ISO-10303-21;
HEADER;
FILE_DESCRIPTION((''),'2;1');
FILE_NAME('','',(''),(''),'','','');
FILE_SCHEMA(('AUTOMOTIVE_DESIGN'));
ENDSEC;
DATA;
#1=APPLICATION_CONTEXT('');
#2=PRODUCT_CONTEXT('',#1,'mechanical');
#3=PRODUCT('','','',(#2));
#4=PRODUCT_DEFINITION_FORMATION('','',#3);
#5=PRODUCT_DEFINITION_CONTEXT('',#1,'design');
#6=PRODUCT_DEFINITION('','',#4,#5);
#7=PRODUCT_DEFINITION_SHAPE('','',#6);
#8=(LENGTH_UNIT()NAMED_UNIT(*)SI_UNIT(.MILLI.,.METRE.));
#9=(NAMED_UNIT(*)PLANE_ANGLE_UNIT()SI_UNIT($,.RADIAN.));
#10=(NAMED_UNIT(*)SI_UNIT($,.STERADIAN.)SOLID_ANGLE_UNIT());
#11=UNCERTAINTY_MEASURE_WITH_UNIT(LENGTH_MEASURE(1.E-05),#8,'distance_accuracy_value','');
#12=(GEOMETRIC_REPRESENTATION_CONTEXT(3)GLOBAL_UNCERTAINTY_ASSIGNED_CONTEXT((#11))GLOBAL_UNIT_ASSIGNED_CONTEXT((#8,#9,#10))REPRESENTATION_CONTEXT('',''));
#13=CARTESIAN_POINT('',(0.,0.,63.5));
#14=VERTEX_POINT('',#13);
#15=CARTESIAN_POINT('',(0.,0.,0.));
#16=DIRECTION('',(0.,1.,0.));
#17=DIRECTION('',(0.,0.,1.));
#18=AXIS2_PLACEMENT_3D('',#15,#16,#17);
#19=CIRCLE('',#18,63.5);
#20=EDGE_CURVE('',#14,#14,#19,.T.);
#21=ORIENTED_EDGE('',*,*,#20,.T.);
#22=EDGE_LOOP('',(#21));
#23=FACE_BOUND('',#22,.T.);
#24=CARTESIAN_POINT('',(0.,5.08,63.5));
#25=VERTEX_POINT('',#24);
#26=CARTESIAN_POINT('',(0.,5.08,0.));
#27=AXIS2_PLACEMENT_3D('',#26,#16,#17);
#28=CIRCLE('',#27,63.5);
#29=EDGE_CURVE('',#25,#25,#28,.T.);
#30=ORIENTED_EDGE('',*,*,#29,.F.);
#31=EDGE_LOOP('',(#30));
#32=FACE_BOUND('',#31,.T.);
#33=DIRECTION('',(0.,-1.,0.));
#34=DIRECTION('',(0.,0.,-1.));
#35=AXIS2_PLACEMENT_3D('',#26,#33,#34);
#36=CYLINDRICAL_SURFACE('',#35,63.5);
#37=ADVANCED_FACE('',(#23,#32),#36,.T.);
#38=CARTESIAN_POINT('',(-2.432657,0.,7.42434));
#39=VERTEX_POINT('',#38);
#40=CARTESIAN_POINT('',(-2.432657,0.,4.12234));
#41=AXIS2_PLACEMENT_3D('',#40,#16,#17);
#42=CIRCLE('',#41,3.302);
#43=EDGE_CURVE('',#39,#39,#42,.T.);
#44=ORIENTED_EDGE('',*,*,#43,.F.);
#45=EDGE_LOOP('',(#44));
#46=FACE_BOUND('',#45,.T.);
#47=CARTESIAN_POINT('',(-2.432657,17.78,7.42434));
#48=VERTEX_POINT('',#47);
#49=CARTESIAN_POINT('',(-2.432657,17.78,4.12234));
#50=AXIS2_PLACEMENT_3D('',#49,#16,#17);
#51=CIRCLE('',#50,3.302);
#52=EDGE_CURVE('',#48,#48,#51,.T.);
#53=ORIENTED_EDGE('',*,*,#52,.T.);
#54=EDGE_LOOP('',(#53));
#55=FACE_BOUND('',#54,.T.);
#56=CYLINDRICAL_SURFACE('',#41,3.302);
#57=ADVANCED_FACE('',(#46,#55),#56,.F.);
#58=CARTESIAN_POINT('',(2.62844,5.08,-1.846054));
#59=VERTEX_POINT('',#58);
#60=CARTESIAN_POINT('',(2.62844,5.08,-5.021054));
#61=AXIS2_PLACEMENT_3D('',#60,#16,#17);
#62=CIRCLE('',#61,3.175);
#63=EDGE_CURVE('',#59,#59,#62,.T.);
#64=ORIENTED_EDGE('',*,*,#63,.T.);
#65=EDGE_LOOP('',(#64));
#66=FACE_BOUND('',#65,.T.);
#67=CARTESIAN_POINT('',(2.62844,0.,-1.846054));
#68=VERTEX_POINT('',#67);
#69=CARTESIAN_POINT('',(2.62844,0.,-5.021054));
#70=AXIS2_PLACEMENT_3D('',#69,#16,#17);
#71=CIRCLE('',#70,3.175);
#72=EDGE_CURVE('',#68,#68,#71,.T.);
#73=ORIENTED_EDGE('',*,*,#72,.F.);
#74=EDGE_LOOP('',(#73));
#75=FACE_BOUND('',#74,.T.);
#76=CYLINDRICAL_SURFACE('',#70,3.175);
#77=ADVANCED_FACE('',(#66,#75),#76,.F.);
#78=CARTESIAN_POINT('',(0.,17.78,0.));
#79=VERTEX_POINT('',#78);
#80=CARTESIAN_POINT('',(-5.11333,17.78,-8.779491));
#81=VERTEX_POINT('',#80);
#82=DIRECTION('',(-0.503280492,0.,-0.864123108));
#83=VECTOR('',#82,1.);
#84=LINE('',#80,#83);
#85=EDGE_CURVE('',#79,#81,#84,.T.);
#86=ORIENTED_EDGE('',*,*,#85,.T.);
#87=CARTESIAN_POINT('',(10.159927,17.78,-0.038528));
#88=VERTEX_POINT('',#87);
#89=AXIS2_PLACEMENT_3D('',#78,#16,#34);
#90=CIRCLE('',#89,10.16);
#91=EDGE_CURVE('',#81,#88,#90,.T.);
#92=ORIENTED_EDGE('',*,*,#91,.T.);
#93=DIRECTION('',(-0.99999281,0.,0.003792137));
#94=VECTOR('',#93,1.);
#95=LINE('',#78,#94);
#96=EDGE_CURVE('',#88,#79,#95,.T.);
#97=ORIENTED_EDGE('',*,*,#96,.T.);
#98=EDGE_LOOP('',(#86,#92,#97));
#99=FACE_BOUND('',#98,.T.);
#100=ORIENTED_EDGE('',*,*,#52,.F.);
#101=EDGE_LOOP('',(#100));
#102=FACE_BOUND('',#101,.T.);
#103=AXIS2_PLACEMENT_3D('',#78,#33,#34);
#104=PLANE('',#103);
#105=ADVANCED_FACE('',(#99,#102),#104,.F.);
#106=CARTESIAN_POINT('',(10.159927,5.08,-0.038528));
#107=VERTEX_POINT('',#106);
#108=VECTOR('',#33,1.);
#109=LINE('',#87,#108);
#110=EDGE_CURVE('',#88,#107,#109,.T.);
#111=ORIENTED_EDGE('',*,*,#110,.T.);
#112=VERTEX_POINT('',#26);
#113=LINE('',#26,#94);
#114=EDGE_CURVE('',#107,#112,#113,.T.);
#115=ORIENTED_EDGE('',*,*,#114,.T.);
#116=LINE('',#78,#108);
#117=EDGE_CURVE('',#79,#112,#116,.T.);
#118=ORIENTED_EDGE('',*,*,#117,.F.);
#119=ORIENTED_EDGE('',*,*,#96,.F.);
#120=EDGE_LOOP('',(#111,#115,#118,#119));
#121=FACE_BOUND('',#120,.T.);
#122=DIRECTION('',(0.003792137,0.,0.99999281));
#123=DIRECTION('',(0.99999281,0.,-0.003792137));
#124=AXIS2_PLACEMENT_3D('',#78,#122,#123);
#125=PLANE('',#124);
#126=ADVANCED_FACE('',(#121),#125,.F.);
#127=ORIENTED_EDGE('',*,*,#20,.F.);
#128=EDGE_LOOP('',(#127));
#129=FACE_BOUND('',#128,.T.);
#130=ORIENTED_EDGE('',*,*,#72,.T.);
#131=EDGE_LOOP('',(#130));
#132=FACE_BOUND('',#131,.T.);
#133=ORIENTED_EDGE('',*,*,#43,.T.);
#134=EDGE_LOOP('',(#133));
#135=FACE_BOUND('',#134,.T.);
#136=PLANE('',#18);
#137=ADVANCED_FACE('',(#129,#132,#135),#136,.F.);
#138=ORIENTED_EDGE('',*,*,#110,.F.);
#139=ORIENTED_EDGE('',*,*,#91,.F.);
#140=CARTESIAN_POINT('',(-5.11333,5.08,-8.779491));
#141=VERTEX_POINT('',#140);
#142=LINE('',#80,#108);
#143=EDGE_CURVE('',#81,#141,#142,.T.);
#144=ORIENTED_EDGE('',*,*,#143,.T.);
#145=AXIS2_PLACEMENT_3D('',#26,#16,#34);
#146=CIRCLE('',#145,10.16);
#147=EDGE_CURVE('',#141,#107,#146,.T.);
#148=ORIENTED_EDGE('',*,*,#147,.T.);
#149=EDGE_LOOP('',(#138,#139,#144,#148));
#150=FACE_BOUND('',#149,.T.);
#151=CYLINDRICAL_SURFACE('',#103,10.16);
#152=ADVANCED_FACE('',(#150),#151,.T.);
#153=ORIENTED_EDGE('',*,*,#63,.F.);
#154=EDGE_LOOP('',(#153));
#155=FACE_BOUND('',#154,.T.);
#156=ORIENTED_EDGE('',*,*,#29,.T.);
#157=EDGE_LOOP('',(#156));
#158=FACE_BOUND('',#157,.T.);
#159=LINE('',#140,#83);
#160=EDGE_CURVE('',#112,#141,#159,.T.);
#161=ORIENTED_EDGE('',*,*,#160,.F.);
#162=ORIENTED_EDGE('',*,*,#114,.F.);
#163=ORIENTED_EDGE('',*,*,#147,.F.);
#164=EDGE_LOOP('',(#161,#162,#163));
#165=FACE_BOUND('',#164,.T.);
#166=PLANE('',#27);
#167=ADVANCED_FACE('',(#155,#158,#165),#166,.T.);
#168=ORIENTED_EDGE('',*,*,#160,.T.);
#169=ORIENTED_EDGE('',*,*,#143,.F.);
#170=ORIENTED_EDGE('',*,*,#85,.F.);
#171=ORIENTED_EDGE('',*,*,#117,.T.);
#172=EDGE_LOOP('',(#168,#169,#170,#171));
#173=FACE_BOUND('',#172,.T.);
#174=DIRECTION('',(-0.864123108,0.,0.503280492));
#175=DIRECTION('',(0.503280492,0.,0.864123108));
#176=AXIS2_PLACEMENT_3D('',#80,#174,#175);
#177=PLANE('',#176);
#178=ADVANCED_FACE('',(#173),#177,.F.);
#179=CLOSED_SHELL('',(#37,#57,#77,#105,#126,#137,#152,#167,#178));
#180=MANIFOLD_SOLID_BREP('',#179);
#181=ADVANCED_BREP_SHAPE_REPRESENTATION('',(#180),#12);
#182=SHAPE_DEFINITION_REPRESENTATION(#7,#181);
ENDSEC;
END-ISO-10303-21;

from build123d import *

# Parameters (mm, degrees)
SKETCH1_R           = 63.5
BOSS_EXTRUDE1_DEPTH = 5.08
BOSS_EXTRUDE2_DEPTH = 12.7
SKETCH5_R           = 3.175
CUT_EXTRUDE1_DEPTH  = 6.08
SKETCH6_R           = 3.302
CUT_EXTRUDE2_DEPTH  = 18.78


with BuildPart() as part:
    # Sketch1 → Boss-Extrude1 (new body)
    with BuildSketch(Plane(origin=(0, 0, 0), x_dir=(1, 0, 0), z_dir=(0, 1, 0))):
        Circle(SKETCH1_R)
    extrude(amount=BOSS_EXTRUDE1_DEPTH)

    # Sketch2 → Boss-Extrude2 (add)
    with BuildSketch(Plane(origin=(0, 5.08, 0), x_dir=(1, 0, 0), z_dir=(0, 1, 0))):
        with BuildLine():
            Line((-5.113329796, 8.779490782), (0, 0))
            Line((0, 0), (10.159926948, 0.03852811))
            ThreePointArc((10.159926948, 0.03852811), (-5.046597152, -8.818018893), (-5.113329796, 8.779490782))
        make_face()
    extrude(amount=BOSS_EXTRUDE2_DEPTH)

    # Sketch5 → Cut-Extrude1 (cut, through all)
    with BuildSketch(Plane(origin=(0, 5.08, 0), x_dir=(1, 0, 0), z_dir=(0, 1, 0))):
        with Locations((2.628439651, 5.021053822)):
            Circle(SKETCH5_R)
    extrude(amount=-CUT_EXTRUDE1_DEPTH, mode=Mode.SUBTRACT)

    # Sketch6 → Cut-Extrude2 (cut, through all)
    with BuildSketch(Plane(origin=(0, 17.78, 0), x_dir=(1, 0, 0), z_dir=(0, 1, 0))):
        with Locations((-2.432656569, -4.122340405)):
            Circle(SKETCH6_R)
    extrude(amount=-CUT_EXTRUDE2_DEPTH, mode=Mode.SUBTRACT)


solid = part.part
